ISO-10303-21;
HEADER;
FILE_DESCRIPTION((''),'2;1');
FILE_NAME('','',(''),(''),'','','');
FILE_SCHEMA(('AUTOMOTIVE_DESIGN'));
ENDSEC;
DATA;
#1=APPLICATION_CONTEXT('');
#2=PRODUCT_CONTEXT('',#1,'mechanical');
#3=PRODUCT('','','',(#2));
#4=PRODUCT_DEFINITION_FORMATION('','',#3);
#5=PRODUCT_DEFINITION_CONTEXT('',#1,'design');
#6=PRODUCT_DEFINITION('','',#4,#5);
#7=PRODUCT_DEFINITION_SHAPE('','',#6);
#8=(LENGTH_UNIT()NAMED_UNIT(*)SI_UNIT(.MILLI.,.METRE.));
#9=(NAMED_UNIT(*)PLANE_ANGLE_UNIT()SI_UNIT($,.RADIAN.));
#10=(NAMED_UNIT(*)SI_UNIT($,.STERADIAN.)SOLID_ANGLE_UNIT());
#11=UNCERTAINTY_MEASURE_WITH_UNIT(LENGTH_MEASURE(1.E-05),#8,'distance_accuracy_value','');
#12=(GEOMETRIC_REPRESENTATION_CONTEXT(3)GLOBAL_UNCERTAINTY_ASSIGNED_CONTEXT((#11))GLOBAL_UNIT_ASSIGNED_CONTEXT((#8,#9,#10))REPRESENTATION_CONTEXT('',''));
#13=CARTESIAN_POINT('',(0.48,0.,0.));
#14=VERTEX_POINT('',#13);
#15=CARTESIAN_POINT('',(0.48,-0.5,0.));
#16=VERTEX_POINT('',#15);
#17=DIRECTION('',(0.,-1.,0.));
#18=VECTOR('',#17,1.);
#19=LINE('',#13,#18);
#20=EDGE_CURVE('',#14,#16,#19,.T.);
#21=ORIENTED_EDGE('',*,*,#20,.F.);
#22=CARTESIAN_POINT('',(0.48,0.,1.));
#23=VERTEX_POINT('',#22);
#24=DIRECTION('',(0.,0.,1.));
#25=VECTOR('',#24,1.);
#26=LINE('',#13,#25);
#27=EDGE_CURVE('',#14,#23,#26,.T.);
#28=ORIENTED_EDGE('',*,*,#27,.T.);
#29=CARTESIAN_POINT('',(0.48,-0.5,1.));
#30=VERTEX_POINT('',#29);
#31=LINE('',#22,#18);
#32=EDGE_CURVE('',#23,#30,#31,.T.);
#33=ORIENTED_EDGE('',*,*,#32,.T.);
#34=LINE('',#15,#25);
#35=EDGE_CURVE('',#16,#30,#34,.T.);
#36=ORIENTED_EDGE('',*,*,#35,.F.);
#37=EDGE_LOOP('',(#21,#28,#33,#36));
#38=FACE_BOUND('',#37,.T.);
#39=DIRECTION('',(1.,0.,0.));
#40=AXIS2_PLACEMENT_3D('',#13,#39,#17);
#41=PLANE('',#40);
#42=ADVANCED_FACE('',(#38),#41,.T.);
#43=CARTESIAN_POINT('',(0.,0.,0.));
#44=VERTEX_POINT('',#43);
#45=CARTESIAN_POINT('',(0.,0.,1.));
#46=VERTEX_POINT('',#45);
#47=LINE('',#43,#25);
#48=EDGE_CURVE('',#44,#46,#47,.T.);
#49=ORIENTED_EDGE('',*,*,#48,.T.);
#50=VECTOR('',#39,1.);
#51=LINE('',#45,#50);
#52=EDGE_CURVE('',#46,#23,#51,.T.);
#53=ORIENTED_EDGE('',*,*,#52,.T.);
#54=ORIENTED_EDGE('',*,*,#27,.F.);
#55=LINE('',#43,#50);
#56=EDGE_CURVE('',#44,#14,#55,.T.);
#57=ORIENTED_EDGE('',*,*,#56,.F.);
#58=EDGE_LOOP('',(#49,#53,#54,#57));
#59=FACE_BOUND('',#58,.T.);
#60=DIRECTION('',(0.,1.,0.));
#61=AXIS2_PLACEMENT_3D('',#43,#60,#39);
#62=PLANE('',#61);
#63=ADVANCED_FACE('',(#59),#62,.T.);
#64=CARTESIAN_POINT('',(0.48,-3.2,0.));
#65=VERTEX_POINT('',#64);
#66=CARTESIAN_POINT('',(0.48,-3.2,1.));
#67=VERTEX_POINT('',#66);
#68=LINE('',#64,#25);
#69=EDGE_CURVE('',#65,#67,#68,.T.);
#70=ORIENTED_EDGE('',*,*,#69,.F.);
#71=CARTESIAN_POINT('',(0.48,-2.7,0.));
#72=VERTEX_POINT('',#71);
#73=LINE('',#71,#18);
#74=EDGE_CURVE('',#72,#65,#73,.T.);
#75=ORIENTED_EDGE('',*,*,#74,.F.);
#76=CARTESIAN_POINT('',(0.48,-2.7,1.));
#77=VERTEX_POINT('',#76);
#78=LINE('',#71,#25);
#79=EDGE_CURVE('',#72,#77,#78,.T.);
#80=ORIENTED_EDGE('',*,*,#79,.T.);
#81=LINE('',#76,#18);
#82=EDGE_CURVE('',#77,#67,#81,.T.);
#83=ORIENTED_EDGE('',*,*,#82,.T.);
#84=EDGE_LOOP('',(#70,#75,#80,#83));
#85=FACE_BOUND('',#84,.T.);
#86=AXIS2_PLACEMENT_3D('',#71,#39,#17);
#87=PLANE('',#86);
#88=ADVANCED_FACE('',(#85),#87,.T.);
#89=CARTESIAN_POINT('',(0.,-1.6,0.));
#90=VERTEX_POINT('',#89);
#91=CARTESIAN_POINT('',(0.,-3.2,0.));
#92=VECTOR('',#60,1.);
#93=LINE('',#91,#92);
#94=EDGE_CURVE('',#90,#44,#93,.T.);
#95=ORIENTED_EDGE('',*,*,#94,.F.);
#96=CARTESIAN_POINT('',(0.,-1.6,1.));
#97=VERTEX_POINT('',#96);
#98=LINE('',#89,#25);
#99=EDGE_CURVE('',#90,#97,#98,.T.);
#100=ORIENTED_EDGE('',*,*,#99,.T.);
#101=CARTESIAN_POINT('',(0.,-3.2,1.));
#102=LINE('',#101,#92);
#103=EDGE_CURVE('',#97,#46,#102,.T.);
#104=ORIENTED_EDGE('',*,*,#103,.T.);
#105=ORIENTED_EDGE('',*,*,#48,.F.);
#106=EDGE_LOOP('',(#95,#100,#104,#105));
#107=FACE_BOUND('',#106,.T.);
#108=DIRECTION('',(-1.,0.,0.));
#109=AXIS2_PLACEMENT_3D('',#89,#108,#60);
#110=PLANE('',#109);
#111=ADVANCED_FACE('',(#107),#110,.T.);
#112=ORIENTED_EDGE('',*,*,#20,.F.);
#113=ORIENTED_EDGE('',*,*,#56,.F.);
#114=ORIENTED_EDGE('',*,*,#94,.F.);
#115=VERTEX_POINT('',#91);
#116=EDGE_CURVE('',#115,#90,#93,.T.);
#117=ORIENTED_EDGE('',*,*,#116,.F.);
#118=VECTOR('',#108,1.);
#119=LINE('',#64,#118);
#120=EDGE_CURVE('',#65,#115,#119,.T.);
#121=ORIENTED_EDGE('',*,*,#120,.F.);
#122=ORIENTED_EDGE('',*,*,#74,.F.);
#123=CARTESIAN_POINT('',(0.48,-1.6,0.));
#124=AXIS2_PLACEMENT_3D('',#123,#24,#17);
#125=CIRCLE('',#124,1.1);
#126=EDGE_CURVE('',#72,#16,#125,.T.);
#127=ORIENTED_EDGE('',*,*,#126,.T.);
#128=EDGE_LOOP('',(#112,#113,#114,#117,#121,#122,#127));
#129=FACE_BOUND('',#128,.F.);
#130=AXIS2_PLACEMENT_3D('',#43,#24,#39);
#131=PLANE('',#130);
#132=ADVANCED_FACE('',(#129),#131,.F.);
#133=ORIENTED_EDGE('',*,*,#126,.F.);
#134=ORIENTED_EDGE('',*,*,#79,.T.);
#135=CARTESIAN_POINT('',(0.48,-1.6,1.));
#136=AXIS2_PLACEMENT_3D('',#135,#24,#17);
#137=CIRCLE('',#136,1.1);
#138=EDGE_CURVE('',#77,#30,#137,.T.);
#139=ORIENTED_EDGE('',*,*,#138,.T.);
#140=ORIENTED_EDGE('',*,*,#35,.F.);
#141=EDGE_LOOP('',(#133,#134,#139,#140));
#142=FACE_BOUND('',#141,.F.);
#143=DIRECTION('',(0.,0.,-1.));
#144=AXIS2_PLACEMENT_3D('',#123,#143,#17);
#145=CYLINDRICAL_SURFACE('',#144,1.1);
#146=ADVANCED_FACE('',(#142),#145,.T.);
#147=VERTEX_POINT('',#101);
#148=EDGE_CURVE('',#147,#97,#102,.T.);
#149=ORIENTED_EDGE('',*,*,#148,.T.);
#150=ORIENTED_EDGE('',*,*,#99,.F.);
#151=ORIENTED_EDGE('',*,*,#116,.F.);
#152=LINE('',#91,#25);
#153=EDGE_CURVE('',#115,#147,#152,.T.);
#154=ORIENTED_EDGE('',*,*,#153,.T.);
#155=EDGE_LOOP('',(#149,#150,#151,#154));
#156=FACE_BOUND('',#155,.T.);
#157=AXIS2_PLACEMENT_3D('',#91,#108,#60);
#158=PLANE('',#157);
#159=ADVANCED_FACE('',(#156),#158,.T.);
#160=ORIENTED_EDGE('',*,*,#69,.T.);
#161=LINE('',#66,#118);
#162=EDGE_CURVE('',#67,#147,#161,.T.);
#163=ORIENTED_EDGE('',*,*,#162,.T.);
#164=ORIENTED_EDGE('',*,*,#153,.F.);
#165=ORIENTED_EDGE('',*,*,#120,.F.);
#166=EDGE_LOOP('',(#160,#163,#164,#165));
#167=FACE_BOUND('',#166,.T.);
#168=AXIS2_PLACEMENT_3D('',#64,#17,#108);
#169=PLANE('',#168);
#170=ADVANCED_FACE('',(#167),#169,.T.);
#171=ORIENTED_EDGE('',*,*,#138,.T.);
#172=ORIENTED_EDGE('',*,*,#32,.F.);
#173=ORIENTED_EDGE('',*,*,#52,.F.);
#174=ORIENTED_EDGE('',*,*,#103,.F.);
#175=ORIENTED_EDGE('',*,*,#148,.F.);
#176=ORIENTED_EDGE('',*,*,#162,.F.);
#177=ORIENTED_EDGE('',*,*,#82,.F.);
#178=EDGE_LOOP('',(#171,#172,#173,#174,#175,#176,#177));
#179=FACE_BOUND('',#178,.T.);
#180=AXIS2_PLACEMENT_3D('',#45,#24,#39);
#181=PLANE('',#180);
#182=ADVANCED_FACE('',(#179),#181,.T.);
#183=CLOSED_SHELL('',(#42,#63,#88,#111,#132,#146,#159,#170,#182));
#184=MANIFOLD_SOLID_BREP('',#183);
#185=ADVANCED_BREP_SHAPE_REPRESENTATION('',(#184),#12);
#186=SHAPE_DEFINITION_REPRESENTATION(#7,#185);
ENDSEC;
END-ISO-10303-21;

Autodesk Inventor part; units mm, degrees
ref_plane "YZ Plane" through (0, 0, 0) normal (1, 0, 0) x (0, 1, 0)
ref_plane "XZ Plane" through (0, 0, 0) normal (0, 1, 0) x (-1, 0, 0)
ref_plane "XY Plane" through (0, 0, 0) normal (0, 0, 1) x (1, 0, 0)
sketch "Sketch1" plane through (0, 0, 0) normal (0, 0, 1) x (1, 0, 0)
  line L0 (0, 0) -> (0.48, 0)
  line L1 (0.48, -3.2) -> (0, -3.2)
  line L2 (0, -3.2) -> (0, 0)
  arc A0 (0.48, -2.7) -> (0.48, -0.5) centre (0.48, -1.6) ccw
  line L3 (0.48, 0) -> (0.48, -0.5)
  line L4 (0.48, -2.7) -> (0.48, -3.2)
  line L5 (0, -1.6) -> (0.48, -1.6)
  dimension "d0" = 0.48
  dimension "d1" = 3.2
  dimension "d7" = 2.2
extrude "Extrusion1" add sketch "Sketch1" along normal blind 1
properties part number "ChargeLED"
